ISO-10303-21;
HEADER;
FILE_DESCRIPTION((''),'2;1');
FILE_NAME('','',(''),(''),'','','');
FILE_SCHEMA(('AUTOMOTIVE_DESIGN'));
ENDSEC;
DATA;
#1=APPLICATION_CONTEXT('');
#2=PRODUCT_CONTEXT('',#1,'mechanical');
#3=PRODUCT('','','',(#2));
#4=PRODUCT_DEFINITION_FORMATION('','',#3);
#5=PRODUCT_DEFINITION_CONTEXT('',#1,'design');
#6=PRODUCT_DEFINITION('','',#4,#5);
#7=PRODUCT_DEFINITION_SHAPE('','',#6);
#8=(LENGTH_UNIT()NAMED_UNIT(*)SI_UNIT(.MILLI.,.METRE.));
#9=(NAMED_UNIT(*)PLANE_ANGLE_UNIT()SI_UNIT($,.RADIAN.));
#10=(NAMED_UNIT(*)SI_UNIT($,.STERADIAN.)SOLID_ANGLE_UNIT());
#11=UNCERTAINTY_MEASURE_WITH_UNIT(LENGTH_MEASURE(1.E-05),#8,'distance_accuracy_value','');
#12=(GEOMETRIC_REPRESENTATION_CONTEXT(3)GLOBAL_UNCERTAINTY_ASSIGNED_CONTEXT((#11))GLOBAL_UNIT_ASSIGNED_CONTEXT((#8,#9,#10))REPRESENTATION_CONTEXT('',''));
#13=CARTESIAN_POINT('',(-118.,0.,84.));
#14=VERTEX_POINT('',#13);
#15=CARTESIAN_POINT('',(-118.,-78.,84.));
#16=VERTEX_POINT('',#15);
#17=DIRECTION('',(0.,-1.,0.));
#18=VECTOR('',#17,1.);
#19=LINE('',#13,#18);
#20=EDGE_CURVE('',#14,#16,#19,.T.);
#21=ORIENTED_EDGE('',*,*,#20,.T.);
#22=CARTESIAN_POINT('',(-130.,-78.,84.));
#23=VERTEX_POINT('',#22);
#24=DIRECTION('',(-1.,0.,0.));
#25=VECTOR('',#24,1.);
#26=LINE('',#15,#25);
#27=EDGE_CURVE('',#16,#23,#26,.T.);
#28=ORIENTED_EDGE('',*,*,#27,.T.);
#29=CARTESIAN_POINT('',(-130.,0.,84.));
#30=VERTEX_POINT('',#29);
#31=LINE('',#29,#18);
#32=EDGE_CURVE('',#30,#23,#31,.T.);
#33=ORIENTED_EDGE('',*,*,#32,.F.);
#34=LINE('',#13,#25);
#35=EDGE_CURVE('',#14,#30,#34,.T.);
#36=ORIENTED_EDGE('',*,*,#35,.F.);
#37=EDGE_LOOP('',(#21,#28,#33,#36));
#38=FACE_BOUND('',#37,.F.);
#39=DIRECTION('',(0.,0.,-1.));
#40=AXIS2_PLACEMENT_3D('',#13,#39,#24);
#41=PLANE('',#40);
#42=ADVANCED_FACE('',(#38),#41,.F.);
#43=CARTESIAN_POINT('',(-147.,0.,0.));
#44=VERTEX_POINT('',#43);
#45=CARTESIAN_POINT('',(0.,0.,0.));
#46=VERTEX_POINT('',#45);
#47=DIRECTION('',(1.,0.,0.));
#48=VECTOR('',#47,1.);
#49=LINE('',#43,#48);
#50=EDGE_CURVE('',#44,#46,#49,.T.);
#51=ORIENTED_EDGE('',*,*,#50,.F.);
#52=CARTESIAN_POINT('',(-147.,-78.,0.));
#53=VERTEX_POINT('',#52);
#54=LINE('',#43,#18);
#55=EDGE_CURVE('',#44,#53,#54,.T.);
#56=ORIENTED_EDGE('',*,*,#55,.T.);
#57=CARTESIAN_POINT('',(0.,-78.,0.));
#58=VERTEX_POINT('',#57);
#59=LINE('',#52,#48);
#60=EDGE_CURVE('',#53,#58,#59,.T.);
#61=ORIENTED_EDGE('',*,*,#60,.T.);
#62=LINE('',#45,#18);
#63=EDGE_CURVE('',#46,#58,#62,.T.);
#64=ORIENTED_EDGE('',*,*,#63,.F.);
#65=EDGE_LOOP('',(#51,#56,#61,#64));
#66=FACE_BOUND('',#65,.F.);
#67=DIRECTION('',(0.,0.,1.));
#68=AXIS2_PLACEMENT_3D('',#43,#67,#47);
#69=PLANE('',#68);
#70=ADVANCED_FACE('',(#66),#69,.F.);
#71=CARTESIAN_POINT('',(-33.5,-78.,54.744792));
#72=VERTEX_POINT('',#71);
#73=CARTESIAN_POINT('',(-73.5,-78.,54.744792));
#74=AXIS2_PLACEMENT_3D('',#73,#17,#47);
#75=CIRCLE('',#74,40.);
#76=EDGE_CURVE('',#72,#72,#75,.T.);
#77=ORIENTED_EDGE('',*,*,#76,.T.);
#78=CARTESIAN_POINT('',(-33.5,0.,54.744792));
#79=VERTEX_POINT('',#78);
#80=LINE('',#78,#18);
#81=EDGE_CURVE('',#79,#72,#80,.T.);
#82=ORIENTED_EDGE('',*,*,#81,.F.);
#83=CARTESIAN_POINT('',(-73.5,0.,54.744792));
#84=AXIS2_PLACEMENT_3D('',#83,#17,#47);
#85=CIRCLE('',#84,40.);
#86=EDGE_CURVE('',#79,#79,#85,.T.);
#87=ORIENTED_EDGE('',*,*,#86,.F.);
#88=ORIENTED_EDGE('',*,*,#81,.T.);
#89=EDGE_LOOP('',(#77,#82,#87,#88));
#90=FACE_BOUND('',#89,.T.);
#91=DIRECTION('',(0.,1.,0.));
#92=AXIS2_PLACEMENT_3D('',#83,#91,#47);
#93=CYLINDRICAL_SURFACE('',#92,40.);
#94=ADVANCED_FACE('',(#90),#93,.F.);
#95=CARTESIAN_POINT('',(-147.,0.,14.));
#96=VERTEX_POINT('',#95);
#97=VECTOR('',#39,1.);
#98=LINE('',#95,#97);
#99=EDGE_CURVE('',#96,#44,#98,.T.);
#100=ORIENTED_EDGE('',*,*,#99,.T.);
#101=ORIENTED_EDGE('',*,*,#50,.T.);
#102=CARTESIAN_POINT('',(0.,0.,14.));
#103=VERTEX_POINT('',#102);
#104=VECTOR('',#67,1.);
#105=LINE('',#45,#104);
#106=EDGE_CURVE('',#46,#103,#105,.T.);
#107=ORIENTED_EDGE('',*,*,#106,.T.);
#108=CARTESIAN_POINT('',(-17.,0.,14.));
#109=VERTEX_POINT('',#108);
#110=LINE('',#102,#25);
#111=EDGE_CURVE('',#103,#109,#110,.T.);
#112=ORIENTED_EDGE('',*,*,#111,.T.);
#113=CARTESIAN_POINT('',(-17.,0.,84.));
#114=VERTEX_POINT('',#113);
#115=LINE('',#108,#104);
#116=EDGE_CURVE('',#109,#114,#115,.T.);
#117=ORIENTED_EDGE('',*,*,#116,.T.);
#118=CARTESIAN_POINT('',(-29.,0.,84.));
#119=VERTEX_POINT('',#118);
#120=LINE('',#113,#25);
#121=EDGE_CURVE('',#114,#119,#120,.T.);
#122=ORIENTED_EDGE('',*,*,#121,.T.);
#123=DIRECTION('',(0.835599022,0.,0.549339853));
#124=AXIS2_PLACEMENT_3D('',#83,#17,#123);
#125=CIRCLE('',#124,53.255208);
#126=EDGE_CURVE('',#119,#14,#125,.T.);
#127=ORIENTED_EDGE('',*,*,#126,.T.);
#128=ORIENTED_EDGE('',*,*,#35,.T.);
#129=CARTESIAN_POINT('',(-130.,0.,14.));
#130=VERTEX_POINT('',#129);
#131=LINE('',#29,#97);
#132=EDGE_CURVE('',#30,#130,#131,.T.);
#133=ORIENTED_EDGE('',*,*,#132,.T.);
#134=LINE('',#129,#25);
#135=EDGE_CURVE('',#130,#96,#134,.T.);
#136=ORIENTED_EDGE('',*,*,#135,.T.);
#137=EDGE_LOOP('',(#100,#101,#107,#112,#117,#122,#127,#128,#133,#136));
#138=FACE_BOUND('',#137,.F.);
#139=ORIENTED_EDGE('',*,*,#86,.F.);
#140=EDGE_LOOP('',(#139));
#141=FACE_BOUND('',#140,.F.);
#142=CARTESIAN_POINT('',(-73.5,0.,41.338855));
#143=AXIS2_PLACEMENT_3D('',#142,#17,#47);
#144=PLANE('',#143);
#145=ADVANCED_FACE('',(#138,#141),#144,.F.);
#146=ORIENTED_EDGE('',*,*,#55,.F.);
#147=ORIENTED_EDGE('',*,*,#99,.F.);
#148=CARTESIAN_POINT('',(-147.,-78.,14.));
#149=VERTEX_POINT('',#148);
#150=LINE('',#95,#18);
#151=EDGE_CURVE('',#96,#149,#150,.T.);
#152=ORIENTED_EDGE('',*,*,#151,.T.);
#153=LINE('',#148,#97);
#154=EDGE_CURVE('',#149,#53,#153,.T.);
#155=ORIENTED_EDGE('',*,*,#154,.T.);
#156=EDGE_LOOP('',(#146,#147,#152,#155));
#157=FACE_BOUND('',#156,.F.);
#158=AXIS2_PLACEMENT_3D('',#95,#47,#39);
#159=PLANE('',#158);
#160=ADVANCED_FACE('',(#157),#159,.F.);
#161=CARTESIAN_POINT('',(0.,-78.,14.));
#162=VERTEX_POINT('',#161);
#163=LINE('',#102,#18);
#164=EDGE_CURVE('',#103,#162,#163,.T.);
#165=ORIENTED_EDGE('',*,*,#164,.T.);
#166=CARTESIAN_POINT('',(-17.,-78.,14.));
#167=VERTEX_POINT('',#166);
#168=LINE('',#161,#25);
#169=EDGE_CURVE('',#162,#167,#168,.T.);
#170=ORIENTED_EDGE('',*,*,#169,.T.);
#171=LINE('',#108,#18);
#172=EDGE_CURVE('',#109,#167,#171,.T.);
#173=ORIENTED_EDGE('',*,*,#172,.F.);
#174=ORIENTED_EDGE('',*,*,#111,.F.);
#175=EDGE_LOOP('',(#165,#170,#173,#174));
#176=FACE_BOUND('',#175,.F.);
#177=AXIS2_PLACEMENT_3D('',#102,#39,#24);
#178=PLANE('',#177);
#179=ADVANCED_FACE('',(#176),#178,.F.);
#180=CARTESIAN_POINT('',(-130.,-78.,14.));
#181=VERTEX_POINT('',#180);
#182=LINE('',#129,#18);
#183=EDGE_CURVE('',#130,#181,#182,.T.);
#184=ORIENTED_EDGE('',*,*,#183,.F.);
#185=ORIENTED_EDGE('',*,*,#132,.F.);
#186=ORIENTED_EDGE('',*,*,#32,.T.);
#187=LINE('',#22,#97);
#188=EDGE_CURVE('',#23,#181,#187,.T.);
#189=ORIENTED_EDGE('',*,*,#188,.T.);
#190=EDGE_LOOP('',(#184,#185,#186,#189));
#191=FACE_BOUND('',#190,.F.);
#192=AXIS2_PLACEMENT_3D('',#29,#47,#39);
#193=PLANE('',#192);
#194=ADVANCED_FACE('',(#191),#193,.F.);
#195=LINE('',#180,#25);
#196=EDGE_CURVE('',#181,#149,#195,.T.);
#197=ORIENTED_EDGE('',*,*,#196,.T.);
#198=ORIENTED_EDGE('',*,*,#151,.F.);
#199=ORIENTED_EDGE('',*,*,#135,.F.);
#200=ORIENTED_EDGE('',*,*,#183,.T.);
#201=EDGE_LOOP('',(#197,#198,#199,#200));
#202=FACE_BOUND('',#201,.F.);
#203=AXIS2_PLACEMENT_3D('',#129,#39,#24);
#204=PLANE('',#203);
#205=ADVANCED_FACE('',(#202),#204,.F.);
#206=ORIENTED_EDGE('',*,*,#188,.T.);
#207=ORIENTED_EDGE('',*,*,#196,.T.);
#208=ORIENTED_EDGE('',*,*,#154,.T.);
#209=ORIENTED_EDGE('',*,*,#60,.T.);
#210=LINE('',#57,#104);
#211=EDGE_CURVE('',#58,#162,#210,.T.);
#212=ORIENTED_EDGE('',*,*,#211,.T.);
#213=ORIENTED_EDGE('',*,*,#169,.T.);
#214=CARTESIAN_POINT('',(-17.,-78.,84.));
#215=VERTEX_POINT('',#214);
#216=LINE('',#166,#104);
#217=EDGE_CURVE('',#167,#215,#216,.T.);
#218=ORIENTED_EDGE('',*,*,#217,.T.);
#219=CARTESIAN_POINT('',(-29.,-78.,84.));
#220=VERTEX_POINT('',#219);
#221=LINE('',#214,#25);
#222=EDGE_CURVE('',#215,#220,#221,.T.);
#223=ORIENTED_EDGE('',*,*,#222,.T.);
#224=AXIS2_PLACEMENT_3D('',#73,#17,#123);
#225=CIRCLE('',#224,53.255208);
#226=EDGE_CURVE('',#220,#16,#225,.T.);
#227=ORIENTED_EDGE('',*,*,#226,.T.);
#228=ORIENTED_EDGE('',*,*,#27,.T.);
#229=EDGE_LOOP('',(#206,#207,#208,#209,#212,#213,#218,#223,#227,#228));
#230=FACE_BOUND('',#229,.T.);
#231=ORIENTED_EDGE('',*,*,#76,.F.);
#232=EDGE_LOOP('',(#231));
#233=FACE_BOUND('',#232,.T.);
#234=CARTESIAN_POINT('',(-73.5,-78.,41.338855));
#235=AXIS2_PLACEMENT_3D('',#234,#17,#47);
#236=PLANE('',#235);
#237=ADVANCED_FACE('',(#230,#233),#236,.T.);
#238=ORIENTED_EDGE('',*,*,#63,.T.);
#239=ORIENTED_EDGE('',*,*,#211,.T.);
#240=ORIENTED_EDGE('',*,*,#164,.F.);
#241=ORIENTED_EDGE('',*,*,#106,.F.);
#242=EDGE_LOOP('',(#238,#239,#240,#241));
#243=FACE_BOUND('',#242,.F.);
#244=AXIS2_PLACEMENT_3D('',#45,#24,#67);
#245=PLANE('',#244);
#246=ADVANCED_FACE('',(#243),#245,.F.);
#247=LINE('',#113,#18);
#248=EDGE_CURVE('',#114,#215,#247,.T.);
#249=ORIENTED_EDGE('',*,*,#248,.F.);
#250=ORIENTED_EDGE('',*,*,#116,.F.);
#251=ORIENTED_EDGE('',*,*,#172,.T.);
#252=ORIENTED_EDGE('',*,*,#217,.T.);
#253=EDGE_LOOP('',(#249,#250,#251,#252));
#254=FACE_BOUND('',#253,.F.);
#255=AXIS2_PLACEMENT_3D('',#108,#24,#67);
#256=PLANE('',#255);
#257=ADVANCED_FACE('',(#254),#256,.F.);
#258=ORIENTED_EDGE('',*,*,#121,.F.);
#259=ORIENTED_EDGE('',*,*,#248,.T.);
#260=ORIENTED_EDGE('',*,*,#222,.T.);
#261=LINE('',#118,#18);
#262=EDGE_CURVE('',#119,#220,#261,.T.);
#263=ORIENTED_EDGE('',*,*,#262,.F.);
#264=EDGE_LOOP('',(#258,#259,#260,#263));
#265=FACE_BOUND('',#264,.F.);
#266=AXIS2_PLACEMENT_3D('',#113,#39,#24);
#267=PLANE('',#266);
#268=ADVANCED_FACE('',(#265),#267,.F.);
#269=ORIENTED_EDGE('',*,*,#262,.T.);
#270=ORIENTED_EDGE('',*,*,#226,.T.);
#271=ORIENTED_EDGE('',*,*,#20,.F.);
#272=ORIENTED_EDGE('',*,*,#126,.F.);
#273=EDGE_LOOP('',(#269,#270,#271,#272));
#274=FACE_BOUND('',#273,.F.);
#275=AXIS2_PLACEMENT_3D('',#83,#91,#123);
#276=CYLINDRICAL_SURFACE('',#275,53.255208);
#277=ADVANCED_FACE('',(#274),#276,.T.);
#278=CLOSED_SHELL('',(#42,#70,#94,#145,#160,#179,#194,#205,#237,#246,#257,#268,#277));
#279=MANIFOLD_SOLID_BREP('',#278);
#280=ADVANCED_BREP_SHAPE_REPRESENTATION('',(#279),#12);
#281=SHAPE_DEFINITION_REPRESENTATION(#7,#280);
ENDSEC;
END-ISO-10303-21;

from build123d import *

# Parameters (mm, degrees)
F0_R     = 40
F1_DEPTH = 78


with BuildPart() as f1:
    # F0 (on Front) → F1 (new body)
    with BuildSketch(Plane.XZ):
        with BuildLine():
            Line((-147, 0), (0, 0))
            Line((0, 0), (0, 14))
            Line((0, 14), (-17, 14))
            Line((-17, 14), (-17, 84))
            Line((-17, 84), (-29, 84))
            ThreePointArc((-29, 84), (-73.5, 108), (-118, 84))
            Line((-118, 84), (-130, 84))
            Line((-130, 84), (-130, 14))
            Line((-130, 14), (-147, 14))
            Line((-147, 14), (-147, 0))
        make_face()
        with Locations((-73.5, 54.744792)):
            Circle(F0_R, mode=Mode.SUBTRACT)
    extrude(amount=F1_DEPTH)


solid = f1.part
